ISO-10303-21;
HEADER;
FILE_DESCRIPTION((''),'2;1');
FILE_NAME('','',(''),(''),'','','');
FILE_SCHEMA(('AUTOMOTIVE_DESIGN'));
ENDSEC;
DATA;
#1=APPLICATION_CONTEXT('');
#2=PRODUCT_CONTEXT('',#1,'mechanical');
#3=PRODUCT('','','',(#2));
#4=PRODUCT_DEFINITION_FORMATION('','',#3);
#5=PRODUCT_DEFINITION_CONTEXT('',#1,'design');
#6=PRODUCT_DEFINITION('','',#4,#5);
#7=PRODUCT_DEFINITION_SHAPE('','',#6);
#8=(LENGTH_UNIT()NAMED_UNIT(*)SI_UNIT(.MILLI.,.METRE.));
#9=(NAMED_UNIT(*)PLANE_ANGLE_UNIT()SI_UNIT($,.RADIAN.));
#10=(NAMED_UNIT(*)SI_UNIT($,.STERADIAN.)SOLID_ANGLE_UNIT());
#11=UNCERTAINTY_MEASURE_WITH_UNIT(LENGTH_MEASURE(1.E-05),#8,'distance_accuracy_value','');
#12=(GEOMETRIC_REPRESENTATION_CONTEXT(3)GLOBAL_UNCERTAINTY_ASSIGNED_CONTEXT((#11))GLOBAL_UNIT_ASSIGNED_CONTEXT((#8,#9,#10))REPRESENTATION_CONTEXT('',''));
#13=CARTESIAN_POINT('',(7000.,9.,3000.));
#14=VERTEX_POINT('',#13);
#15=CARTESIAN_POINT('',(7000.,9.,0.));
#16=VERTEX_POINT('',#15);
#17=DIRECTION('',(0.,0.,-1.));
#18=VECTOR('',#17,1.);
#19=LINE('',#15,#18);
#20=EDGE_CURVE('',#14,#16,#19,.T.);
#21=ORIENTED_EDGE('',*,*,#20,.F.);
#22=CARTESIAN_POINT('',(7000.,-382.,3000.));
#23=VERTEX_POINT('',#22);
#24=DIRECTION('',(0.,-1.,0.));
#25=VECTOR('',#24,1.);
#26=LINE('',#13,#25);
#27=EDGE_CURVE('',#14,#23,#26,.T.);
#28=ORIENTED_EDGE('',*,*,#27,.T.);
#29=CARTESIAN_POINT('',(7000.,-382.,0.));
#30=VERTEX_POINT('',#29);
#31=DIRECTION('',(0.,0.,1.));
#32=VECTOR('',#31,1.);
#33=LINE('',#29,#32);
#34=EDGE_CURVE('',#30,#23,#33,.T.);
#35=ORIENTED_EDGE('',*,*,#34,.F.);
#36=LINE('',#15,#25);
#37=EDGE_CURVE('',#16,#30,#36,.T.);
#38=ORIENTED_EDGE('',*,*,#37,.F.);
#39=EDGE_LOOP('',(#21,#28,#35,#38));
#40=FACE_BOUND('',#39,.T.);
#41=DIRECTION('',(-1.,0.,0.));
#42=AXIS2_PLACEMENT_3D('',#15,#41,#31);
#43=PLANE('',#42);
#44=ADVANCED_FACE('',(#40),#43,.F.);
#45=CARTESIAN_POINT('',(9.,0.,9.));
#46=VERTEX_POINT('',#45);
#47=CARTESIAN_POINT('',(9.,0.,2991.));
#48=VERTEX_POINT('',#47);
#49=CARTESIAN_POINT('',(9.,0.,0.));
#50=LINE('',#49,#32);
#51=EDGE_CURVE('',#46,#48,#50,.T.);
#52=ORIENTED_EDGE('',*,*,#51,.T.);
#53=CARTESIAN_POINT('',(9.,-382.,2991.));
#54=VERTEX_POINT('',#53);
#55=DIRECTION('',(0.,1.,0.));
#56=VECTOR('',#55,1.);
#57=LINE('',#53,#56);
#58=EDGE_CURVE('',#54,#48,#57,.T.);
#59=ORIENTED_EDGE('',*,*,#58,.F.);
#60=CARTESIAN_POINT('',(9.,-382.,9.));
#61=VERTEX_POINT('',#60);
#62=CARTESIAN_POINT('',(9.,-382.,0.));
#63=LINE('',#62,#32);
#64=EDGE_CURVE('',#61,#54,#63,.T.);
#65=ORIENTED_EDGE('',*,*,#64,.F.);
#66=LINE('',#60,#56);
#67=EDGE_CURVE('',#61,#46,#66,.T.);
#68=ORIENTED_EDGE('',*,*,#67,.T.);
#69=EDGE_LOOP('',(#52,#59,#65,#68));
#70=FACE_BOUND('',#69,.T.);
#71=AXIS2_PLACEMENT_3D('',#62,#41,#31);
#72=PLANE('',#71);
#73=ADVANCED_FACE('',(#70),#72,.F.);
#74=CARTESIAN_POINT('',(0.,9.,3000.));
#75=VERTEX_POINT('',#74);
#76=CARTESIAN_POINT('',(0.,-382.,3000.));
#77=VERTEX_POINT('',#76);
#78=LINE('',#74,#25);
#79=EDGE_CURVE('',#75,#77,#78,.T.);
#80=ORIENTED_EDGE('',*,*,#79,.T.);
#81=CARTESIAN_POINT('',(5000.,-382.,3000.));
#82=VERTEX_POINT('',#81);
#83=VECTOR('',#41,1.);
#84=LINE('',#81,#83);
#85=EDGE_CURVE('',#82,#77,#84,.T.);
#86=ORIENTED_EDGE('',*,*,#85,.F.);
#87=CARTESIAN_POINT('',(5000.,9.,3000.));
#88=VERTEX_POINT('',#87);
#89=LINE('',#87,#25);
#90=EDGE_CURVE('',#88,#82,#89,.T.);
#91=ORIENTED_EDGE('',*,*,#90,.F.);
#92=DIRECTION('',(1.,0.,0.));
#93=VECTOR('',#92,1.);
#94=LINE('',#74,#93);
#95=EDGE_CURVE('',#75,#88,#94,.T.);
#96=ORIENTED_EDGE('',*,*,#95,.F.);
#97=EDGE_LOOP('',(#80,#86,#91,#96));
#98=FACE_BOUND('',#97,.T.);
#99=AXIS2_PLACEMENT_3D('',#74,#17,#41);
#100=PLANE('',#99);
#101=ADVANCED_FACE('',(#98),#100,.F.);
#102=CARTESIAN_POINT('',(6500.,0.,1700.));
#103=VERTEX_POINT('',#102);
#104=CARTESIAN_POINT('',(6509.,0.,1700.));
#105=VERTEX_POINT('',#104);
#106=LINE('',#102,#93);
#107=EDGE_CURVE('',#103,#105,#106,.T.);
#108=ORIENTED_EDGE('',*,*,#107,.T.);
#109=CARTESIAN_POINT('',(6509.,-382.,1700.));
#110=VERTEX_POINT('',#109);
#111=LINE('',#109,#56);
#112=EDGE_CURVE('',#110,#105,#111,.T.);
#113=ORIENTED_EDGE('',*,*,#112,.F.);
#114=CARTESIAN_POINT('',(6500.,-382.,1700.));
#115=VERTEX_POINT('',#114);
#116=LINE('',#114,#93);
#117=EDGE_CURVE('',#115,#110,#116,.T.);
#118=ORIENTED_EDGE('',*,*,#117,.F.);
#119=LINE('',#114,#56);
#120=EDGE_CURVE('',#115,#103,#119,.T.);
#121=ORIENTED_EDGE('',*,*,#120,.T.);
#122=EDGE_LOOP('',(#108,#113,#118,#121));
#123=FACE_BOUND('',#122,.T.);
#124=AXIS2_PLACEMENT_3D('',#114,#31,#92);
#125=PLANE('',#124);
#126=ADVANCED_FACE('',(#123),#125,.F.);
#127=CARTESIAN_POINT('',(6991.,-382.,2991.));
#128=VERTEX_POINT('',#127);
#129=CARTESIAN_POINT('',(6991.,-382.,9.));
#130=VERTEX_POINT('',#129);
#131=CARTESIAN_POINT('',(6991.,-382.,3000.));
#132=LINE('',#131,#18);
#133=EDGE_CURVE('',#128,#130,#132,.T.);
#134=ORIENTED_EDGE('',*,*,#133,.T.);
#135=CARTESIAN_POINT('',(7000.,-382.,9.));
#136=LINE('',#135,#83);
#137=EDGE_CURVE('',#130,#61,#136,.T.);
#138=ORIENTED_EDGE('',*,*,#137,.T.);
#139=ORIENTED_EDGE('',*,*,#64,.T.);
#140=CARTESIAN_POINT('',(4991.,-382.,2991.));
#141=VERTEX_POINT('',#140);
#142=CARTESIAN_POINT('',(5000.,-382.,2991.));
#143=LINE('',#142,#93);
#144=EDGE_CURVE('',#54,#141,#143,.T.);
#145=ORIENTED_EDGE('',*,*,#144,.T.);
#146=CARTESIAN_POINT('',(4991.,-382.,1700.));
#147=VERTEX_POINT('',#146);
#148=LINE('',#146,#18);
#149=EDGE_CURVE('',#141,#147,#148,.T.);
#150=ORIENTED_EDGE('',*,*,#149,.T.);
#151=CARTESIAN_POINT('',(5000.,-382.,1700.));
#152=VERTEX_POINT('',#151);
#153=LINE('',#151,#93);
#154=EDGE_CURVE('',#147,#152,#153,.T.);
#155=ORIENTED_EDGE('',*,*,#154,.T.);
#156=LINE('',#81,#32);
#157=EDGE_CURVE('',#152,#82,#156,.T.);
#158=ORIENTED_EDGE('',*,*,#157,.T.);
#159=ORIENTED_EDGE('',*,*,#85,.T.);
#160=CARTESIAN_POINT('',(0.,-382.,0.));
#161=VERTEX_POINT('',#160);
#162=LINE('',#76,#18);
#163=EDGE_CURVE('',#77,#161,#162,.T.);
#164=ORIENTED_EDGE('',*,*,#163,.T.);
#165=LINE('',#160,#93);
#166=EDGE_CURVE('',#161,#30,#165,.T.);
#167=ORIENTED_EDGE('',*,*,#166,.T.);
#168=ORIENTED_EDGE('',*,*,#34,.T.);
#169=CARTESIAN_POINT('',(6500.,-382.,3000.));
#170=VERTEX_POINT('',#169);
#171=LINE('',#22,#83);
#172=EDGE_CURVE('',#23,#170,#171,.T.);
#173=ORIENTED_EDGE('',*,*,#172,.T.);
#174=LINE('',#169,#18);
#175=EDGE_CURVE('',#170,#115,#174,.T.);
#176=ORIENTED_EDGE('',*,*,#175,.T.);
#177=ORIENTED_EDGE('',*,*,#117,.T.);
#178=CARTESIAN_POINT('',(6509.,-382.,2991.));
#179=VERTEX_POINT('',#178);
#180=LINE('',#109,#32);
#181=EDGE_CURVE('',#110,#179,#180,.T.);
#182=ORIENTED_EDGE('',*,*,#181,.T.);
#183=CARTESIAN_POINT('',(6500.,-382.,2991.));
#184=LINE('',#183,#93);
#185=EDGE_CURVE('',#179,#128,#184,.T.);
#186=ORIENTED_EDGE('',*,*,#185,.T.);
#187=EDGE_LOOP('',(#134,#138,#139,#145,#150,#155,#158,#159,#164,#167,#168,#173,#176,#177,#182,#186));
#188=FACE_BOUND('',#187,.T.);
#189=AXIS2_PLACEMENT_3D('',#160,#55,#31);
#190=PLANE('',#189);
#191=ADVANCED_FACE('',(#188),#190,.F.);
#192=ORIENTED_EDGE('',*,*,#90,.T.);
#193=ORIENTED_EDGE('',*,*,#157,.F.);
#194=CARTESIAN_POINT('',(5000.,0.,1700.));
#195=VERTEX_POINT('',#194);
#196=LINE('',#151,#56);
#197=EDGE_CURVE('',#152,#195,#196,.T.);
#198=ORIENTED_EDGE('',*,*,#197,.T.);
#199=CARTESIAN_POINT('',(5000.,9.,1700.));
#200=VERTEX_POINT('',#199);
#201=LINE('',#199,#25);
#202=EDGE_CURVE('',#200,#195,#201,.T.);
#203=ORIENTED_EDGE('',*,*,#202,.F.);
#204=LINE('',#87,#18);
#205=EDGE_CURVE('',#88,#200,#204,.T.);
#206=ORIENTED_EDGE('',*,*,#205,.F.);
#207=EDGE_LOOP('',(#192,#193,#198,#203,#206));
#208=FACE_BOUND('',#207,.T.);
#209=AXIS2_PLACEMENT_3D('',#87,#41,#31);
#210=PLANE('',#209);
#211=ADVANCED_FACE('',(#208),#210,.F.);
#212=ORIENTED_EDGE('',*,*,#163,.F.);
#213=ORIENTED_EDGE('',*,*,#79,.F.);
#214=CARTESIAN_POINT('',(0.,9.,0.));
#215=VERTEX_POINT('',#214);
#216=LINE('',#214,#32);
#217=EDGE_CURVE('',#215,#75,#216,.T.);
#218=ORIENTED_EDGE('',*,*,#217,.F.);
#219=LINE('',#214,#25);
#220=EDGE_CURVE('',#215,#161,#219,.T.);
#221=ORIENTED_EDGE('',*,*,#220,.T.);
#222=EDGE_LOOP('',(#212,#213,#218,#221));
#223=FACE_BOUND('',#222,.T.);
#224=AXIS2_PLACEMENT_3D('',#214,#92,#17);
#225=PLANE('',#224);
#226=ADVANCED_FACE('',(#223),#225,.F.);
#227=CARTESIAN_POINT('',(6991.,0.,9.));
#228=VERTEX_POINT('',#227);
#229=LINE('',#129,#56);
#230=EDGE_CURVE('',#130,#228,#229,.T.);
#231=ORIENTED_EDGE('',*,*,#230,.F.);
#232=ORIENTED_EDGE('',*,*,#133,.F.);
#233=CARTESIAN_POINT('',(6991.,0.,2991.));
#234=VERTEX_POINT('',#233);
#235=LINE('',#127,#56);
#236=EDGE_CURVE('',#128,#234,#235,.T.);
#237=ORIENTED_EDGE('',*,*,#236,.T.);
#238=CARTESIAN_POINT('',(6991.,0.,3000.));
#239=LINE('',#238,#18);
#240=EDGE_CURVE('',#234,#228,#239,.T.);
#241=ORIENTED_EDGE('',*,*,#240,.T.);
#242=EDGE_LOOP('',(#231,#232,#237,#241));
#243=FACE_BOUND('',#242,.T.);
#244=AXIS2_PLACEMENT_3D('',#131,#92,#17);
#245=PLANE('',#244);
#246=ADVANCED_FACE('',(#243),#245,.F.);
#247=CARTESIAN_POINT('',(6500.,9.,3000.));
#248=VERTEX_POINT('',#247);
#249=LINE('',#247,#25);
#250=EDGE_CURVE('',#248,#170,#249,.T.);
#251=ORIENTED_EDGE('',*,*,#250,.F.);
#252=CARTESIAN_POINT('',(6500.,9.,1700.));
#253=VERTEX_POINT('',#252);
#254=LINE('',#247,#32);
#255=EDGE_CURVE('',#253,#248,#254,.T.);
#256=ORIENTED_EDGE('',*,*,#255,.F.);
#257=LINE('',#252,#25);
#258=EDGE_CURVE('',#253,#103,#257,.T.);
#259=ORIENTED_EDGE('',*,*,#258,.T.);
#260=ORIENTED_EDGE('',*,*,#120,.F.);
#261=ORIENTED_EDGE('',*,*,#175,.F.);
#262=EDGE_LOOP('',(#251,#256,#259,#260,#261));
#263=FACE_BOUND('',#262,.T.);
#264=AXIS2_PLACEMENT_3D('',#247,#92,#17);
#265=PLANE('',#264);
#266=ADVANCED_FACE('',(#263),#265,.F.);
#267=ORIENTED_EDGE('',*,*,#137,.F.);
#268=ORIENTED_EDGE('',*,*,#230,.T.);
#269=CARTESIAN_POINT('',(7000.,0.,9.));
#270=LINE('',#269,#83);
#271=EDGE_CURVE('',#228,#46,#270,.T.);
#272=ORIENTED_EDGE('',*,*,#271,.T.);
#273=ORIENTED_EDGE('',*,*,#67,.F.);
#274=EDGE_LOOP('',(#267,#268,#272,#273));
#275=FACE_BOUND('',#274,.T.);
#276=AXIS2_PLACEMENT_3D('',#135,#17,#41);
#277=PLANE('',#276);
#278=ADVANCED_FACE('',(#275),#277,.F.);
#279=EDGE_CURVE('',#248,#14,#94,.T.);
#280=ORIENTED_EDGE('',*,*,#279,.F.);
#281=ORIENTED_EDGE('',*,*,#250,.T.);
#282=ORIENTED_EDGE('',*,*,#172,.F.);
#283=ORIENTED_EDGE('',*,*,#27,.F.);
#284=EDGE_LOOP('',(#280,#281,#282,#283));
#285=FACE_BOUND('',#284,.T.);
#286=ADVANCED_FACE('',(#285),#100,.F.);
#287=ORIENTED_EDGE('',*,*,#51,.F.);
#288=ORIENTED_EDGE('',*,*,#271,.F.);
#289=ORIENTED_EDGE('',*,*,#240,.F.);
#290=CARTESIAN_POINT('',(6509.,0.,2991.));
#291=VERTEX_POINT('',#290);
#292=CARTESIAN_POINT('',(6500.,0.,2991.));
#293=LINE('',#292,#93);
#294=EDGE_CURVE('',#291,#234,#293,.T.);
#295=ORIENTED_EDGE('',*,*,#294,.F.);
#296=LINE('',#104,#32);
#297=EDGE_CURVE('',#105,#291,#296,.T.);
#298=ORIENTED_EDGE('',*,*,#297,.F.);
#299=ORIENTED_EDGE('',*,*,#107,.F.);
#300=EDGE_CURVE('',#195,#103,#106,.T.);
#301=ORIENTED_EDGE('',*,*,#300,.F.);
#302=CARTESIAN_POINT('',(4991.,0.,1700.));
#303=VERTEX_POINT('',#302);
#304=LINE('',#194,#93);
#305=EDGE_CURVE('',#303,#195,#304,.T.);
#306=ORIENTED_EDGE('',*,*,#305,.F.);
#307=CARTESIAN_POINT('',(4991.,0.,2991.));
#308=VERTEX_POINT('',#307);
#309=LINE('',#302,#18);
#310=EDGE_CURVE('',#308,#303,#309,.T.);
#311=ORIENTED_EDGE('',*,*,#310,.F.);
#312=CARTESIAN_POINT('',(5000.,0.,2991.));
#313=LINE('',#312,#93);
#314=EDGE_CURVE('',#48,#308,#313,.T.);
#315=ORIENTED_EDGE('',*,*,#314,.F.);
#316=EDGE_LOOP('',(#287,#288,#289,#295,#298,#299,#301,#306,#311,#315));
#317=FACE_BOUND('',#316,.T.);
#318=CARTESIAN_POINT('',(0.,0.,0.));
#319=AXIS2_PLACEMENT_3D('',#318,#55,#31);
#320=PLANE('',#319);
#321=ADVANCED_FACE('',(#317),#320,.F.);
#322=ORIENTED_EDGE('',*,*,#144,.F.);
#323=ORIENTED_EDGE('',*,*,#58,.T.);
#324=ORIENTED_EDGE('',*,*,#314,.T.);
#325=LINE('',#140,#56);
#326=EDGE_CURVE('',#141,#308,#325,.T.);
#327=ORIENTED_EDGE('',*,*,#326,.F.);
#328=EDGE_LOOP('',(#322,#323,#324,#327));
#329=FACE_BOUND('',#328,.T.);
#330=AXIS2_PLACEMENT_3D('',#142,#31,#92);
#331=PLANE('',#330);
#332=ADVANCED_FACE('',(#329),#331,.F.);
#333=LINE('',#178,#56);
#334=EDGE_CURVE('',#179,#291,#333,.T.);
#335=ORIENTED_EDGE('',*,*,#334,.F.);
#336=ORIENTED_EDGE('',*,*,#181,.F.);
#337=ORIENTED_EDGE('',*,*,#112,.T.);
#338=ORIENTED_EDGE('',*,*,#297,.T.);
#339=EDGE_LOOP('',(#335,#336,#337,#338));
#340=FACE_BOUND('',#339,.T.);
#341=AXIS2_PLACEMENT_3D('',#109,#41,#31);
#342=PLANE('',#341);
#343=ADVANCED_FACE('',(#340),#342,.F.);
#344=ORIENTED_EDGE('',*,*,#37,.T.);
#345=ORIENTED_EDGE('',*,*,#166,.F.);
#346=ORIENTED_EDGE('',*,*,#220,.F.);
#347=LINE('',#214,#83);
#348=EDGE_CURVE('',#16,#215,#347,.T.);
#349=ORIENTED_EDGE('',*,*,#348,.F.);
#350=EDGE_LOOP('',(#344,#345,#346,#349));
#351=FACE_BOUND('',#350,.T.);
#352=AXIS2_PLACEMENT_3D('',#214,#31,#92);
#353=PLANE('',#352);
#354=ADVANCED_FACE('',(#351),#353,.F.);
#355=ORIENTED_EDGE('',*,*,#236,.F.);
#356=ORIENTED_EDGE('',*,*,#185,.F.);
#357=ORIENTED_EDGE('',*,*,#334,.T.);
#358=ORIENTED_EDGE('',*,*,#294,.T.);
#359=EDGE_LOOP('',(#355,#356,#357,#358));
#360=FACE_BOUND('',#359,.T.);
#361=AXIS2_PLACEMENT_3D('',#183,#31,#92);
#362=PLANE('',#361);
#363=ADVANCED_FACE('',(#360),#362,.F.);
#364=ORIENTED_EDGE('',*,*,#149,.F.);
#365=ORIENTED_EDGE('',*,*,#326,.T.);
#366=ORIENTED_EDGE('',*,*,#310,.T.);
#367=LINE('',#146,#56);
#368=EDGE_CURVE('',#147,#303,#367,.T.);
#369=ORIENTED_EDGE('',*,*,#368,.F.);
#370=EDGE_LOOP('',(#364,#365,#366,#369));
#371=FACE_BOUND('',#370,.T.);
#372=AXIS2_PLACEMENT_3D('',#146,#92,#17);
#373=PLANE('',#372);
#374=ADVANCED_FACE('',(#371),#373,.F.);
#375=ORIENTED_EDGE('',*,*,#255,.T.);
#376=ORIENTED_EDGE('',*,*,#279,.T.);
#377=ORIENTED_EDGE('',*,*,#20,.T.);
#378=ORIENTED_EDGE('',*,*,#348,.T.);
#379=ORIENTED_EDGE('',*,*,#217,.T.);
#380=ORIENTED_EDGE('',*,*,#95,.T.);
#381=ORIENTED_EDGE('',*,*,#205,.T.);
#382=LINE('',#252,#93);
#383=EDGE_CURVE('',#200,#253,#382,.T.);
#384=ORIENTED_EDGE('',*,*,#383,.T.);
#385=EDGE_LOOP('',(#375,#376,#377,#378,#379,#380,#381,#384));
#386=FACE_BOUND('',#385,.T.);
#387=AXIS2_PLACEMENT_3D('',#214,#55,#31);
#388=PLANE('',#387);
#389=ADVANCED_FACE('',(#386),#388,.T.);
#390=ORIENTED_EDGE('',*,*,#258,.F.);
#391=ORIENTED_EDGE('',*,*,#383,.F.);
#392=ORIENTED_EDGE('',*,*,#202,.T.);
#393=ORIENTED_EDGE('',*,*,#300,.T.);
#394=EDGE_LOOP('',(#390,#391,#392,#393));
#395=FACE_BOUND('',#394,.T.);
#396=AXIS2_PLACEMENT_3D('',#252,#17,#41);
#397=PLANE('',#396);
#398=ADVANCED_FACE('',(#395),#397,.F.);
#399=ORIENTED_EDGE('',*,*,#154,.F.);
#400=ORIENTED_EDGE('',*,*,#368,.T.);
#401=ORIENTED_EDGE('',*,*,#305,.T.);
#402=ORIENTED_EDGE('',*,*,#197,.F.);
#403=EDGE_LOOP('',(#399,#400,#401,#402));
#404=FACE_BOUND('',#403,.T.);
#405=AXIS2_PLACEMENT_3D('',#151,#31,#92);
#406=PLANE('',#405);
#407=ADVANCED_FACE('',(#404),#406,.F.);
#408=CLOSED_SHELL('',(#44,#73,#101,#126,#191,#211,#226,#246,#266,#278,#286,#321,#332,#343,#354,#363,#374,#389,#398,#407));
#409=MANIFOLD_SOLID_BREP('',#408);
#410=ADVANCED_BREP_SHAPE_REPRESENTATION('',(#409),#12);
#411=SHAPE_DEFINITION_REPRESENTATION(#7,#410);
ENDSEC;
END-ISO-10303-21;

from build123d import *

# Parameters (mm, degrees)
SKETCH1_W           = 7000
SKETCH1_H           = 3000
BOSS_EXTRUDE1_DEPTH = 9
SKETCH3_W           = 1500
SKETCH3_H           = 1300
CUT_EXTRUDE1_DEPTH  = 7616.778423773
SKETCH4_W           = 5000
SKETCH4_H           = 9
BOSS_EXTRUDE2_DEPTH = 382
SKETCH5_W           = 9
SKETCH5_H           = 2991
BOSS_EXTRUDE3_DEPTH = 382
SKETCH6_W           = 6991
SKETCH6_H           = 9
BOSS_EXTRUDE4_DEPTH = 382
SKETCH7_W           = 9
SKETCH7_H           = 2991
BOSS_EXTRUDE5_DEPTH = 382
SKETCH8_W           = 491
SKETCH8_H           = 9
BOSS_EXTRUDE6_DEPTH = 382
SKETCH9_W           = 9
SKETCH9_H           = 1291
BOSS_EXTRUDE7_DEPTH = 382
SKETCH10_W          = 9
SKETCH10_H          = 1291
BOSS_EXTRUDE8_DEPTH = 382


with BuildPart() as part:
    # Sketch1 → Boss-Extrude1 (new body)
    with BuildSketch(Plane(origin=(0, 0, 0), x_dir=(1, 0, 0), z_dir=(0, 1, 0))):
        with Locations((3500, -1500)):
            Rectangle(SKETCH1_W, SKETCH1_H)
    extrude(amount=BOSS_EXTRUDE1_DEPTH)

    # Sketch3 → Cut-Extrude1 (cut, through all)
    with BuildSketch(Plane.XZ):
        with Locations((5750, 2350)):
            Rectangle(SKETCH3_W, SKETCH3_H)
    extrude(amount=-CUT_EXTRUDE1_DEPTH, mode=Mode.SUBTRACT)

    # Sketch4 → Boss-Extrude2 (add)
    with BuildSketch(Plane.XZ):
        with Locations((2500, 2995.5)):
            Rectangle(SKETCH4_W, SKETCH4_H)
    extrude(amount=BOSS_EXTRUDE2_DEPTH)

    # Sketch5 → Boss-Extrude3 (add)
    with BuildSketch(Plane.XZ):
        with Locations((4.5, 1495.5)):
            Rectangle(SKETCH5_W, SKETCH5_H)
    extrude(amount=BOSS_EXTRUDE3_DEPTH)

    # Sketch6 → Boss-Extrude4 (add)
    with BuildSketch(Plane.XZ):
        with Locations((3504.5, 4.5)):
            Rectangle(SKETCH6_W, SKETCH6_H)
    extrude(amount=BOSS_EXTRUDE4_DEPTH)

    # Sketch7 → Boss-Extrude5 (add)
    with BuildSketch(Plane.XZ):
        with Locations((6995.5, 1504.5)):
            Rectangle(SKETCH7_W, SKETCH7_H)
    extrude(amount=BOSS_EXTRUDE5_DEPTH)

    # Sketch8 → Boss-Extrude6 (add)
    with BuildSketch(Plane.XZ):
        with Locations((6745.5, 2995.5)):
            Rectangle(SKETCH8_W, SKETCH8_H)
    extrude(amount=BOSS_EXTRUDE6_DEPTH)

    # Sketch9 → Boss-Extrude7 (add)
    with BuildSketch(Plane.XZ):
        with Locations((6504.5, 2345.5)):
            Rectangle(SKETCH9_W, SKETCH9_H)
    extrude(amount=BOSS_EXTRUDE7_DEPTH)

    # Sketch10 → Boss-Extrude8 (add)
    with BuildSketch(Plane.XZ):
        with Locations((4995.5, 2345.5)):
            Rectangle(SKETCH10_W, SKETCH10_H)
    extrude(amount=BOSS_EXTRUDE8_DEPTH)


solid = part.part
